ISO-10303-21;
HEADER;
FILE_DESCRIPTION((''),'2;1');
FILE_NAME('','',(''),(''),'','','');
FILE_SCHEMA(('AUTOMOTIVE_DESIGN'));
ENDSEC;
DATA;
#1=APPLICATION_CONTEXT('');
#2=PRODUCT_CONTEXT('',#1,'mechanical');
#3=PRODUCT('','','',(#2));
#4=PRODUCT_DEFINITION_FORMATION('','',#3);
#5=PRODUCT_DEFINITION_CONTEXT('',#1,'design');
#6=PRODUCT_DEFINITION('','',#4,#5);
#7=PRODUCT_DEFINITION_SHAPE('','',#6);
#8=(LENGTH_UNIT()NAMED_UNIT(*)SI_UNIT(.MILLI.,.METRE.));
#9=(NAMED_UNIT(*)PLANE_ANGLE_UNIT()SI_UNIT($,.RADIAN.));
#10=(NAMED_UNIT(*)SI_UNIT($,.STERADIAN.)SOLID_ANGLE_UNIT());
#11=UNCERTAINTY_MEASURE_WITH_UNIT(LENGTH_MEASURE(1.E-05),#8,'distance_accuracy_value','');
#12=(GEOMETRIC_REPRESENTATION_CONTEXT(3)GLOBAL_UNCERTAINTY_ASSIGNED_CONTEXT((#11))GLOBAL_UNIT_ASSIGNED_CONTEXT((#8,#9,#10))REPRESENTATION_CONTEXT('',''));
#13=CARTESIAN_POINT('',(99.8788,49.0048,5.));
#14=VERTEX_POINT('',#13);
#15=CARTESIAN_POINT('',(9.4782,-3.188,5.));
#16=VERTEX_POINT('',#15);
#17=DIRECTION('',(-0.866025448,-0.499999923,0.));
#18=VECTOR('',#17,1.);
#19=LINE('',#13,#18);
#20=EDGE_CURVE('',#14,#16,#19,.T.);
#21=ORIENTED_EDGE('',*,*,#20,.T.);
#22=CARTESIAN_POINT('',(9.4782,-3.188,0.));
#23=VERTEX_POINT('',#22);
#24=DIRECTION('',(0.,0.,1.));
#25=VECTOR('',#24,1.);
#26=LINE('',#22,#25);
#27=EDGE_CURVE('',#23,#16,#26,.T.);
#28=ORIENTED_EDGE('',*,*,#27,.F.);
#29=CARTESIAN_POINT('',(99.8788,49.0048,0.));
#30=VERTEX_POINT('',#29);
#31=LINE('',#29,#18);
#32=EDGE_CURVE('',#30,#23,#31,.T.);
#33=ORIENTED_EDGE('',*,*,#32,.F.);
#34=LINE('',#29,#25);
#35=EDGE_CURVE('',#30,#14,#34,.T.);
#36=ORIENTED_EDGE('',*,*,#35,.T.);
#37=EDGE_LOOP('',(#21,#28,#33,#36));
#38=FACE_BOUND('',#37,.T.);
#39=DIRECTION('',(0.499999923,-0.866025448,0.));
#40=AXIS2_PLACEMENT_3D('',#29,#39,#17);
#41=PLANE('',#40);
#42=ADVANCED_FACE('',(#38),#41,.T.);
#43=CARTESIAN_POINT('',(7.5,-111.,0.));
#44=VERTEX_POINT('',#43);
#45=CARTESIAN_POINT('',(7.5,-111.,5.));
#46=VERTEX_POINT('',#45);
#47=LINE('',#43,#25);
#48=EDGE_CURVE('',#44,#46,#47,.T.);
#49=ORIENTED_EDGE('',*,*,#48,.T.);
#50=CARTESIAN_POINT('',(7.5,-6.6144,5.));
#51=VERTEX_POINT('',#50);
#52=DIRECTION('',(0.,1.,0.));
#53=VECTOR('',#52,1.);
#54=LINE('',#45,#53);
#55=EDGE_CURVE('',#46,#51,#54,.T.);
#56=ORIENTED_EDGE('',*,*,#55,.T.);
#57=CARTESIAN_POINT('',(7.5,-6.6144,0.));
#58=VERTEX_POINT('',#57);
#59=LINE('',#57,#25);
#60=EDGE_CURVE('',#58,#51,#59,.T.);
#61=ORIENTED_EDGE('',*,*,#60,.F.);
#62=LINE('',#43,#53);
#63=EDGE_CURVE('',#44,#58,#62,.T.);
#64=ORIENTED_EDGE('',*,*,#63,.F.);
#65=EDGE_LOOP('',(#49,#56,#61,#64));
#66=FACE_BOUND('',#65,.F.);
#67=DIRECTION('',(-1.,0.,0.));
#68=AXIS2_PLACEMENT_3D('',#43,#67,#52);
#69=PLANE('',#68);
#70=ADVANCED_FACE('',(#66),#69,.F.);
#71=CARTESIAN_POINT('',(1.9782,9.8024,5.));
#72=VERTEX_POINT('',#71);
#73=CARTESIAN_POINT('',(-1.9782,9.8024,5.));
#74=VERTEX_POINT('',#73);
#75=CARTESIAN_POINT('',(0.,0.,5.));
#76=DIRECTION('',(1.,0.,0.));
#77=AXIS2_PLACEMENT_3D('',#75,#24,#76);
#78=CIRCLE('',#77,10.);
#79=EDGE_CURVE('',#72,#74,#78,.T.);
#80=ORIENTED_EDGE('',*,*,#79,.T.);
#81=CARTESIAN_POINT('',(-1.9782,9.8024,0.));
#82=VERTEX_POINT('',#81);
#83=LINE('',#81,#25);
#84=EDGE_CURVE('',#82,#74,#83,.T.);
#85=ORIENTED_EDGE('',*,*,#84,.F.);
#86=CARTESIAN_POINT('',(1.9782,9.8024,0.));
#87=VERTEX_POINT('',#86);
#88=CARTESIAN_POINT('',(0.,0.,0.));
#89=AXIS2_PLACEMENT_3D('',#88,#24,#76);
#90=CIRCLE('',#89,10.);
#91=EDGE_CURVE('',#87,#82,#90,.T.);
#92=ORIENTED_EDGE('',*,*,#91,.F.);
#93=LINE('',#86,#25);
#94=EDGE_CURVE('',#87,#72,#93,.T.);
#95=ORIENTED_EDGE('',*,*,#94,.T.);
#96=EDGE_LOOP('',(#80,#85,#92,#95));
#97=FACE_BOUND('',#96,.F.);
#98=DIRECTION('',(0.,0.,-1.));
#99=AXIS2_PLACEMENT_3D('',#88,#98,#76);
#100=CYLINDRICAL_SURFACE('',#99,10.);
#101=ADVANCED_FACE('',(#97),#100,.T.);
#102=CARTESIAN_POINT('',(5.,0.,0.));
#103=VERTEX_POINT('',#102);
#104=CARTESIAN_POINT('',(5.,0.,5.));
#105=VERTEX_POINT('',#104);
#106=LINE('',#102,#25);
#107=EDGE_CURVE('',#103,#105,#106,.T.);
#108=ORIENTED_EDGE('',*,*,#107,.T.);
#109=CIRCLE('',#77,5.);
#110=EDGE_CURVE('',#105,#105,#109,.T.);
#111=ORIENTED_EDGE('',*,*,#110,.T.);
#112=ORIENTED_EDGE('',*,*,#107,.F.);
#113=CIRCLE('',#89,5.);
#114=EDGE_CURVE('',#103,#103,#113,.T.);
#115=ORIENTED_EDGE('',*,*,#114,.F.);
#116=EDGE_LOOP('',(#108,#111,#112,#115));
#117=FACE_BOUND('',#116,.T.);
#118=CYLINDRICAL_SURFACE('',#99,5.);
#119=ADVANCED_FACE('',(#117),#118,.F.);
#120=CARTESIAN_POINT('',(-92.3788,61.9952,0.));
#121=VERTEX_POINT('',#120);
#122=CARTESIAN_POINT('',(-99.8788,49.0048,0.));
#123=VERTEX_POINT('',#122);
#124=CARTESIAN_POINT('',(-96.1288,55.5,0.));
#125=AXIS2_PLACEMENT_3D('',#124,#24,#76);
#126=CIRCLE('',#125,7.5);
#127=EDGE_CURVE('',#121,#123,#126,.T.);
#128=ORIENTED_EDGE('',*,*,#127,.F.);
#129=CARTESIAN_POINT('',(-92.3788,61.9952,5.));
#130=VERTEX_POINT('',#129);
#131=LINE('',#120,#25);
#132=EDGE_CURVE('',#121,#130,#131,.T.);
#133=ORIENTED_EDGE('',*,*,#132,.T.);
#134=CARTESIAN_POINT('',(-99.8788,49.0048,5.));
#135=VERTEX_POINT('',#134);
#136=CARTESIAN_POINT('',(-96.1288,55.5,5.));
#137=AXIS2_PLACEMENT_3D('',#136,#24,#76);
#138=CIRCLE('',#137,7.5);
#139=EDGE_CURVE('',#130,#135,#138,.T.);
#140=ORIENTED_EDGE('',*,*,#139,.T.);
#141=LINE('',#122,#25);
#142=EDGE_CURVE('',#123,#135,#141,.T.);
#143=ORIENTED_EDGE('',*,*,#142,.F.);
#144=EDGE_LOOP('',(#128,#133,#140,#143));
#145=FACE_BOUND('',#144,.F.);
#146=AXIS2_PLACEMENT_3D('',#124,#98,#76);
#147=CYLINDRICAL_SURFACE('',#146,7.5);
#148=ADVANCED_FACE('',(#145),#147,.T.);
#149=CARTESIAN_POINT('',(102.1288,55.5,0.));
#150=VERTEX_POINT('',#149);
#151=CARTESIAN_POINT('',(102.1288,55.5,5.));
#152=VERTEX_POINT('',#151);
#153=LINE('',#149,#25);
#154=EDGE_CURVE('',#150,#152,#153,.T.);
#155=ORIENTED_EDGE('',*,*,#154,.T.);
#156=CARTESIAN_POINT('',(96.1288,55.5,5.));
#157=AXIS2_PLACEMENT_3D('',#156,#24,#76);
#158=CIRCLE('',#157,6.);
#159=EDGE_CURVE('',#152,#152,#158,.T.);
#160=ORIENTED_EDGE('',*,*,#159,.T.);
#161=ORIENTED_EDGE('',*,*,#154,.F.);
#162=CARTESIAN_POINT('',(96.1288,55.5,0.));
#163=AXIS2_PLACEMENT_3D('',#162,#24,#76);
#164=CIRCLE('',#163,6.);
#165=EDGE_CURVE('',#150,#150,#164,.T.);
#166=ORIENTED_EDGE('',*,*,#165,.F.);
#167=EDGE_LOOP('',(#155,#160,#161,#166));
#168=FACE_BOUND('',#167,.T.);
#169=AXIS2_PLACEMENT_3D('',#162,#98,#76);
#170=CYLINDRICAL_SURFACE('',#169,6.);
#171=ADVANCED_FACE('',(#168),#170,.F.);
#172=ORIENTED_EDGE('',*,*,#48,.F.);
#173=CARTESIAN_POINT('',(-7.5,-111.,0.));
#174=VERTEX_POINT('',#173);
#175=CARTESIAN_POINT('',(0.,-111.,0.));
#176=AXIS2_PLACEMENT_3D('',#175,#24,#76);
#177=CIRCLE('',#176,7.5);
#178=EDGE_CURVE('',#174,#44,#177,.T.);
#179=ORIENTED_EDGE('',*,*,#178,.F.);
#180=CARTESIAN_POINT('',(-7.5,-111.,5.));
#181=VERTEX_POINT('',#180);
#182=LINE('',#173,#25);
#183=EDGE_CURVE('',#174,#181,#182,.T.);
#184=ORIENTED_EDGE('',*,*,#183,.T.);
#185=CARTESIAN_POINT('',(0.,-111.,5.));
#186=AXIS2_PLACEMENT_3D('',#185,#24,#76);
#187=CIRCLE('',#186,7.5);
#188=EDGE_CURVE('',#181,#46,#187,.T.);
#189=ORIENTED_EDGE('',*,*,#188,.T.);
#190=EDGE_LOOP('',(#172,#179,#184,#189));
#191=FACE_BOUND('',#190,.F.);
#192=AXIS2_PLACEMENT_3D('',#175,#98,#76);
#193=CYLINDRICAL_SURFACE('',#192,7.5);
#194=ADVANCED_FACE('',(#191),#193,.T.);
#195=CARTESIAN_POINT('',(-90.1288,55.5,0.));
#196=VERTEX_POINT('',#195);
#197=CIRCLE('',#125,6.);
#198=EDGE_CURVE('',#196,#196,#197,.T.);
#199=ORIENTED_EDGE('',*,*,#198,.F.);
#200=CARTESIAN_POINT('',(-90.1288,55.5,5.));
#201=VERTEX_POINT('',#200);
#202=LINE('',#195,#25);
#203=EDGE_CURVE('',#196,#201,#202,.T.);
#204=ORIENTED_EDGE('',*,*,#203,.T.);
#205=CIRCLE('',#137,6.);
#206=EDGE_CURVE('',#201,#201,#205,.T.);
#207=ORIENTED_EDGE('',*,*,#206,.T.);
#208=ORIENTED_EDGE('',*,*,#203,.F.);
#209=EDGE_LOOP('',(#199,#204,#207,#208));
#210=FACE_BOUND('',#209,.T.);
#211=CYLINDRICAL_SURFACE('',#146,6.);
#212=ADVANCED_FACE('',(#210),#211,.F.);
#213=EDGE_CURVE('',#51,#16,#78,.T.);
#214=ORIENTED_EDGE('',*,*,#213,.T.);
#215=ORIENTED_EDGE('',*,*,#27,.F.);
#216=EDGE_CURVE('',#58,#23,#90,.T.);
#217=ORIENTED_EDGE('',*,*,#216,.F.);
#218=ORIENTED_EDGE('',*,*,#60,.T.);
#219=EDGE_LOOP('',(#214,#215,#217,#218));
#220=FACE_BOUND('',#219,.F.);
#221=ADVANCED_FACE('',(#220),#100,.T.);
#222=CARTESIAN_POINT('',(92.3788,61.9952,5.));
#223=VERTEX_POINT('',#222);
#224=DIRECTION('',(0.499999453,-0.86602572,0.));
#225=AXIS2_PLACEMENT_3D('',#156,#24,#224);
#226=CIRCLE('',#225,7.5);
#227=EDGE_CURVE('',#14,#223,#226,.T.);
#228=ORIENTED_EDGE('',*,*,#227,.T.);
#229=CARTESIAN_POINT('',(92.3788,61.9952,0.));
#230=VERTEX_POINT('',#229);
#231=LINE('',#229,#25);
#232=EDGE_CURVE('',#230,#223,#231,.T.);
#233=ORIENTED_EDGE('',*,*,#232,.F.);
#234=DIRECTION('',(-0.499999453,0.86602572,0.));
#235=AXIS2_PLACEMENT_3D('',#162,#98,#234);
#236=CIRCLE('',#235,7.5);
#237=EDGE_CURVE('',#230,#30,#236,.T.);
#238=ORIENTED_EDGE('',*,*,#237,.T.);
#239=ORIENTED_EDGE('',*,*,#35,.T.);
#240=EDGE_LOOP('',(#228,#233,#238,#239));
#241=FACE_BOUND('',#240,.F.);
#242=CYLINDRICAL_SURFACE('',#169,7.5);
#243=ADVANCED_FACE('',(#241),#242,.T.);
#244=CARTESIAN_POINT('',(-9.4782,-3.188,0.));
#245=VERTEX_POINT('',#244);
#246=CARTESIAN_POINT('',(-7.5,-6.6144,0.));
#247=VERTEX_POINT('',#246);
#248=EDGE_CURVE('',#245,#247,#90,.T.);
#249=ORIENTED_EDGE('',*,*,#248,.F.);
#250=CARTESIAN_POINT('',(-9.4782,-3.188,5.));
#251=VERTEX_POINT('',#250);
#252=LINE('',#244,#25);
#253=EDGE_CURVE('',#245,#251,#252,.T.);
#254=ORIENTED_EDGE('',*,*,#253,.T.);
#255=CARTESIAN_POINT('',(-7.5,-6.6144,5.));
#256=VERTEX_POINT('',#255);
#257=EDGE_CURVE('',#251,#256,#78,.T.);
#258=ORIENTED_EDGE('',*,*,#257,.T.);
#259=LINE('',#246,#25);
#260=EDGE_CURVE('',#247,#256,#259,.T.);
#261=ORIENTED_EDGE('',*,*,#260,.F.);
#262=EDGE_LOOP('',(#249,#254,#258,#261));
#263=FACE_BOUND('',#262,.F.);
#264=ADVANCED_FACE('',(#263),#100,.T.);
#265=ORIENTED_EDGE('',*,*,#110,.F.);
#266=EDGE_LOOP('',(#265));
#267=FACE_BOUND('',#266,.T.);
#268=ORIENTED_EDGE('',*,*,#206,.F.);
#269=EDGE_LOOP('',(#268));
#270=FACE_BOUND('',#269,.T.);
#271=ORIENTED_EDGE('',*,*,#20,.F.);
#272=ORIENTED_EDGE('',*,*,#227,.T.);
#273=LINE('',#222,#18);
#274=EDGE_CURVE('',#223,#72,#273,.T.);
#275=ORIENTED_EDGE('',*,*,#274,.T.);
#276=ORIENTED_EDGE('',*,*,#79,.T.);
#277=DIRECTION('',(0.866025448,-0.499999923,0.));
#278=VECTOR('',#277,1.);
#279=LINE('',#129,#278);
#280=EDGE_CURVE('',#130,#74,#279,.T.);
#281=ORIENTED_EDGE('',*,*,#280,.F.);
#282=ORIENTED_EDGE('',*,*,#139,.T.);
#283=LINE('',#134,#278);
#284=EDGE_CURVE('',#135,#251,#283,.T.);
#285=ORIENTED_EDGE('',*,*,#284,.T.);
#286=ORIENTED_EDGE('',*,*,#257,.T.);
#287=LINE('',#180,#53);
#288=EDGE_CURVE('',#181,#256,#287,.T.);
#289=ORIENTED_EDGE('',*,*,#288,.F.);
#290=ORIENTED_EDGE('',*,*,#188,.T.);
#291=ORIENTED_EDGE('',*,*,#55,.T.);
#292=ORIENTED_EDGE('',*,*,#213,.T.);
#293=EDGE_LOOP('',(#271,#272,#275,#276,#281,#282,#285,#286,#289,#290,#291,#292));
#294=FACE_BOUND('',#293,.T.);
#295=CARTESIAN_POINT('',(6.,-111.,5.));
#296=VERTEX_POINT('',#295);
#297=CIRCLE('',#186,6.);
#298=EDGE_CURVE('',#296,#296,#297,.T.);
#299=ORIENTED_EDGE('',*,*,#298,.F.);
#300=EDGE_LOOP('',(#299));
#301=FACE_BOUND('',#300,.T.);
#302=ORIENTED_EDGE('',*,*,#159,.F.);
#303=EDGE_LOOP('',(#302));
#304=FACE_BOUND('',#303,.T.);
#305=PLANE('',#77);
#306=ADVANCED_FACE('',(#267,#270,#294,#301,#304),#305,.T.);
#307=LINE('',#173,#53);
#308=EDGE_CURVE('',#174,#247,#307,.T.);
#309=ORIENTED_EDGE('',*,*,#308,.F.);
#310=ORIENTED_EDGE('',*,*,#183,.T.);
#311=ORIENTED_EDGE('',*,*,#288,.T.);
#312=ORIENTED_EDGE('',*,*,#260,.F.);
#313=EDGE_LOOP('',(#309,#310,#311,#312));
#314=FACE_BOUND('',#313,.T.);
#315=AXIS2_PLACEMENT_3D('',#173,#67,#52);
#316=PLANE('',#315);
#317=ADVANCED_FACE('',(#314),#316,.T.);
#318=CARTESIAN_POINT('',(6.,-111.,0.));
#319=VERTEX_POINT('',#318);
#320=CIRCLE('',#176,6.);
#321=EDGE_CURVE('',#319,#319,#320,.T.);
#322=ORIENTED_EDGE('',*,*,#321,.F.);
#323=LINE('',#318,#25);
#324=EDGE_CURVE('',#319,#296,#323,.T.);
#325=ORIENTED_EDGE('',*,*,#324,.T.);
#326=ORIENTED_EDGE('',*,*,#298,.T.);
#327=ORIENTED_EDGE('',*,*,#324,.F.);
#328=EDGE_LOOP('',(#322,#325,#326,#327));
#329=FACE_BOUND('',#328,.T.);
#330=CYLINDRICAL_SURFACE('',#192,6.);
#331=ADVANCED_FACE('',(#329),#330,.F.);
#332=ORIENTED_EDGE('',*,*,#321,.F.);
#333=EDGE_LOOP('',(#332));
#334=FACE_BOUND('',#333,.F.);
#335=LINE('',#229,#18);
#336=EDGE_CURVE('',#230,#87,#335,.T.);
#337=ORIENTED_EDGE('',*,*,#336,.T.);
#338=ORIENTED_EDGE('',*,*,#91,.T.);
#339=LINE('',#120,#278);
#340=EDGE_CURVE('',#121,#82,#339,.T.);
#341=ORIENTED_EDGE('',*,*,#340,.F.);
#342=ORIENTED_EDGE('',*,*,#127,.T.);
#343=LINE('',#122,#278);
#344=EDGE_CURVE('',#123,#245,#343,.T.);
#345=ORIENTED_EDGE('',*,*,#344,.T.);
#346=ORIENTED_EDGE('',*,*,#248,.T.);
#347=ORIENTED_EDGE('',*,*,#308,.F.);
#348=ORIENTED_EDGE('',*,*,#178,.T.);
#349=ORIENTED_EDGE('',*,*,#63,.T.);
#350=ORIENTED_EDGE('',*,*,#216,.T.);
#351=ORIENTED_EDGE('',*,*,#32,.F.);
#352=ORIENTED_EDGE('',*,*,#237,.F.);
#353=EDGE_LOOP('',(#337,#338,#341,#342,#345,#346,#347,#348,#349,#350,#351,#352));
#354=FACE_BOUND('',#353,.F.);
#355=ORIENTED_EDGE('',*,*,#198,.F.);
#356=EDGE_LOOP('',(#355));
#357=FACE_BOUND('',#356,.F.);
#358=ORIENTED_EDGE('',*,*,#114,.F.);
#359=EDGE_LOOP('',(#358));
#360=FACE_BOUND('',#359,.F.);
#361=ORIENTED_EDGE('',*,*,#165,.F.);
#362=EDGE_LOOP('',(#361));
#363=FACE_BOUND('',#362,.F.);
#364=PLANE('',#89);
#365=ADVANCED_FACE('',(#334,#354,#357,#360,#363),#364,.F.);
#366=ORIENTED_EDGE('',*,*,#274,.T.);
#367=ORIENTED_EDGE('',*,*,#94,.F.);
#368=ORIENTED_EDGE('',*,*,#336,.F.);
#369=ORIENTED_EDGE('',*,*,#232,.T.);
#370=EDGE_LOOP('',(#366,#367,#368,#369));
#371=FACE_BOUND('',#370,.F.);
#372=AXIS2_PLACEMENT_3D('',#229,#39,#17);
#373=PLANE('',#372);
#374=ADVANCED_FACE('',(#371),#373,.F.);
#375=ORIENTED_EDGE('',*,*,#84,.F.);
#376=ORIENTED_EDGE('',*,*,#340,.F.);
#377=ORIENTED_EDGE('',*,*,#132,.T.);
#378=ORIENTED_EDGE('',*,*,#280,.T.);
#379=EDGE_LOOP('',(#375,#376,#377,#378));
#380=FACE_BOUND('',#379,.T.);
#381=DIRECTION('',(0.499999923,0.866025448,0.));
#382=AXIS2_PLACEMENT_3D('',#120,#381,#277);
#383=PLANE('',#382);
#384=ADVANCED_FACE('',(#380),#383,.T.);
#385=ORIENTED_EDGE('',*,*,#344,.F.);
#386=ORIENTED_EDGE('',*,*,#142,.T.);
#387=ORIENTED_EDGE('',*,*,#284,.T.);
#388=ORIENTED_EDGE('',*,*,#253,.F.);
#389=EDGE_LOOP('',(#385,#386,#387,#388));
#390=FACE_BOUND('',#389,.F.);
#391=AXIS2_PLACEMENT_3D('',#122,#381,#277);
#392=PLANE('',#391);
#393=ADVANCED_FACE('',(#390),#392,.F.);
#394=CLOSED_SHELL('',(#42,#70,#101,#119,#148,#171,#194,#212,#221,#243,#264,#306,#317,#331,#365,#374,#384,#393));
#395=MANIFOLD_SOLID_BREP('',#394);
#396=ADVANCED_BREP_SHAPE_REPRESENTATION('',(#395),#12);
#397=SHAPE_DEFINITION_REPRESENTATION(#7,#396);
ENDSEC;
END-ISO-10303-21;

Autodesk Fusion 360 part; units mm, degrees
sketch "Sketch1" plane through (0, 0, 0) normal (0, 0, 1) x (1, 0, 0) in component "Spectroscope Feet"
  circle A0 centre (96.1288, 55.5) radius 6
  circle A1 centre (-96.1288, 55.5) radius 6
  circle A2 centre (0, -111) radius 6
  circle A3 centre (0, -111) radius 7.5
  circle A4 centre (-96.1288, 55.5) radius 7.5
  circle A5 centre (96.1288, 55.5) radius 7.5
  circle A6 centre (0, 0) radius 10
  line L0 (92.3788, 61.9952) -> (1.9782, 9.8024)
  line L1 (99.8788, 49.0048) -> (9.4782, -3.188)
  line L2 (-99.8788, 49.0048) -> (-9.4782, -3.188)
  line L3 (-92.3788, 61.9952) -> (-1.9782, 9.8024)
  line L4 (-7.5, -111) -> (-7.5, -6.6144)
  line L5 (7.5, -111) -> (7.5, -6.6144)
  circle A7 centre (0, 0) radius 5
  dimension "d4" = 12
  dimension "d5" = 12
  dimension "d6" = 12
  dimension "d7" = 15
  dimension "d8" = 15
  dimension "d9" = 15
  dimension "d10" = 20
  dimension "d11" = 10
extrude "Extrude1" add sketch "Sketch1" along normal blind 5 in component "Spectroscope Feet"
component "Spectroscope Feet" placed x (1, 0, 0) y (0, 1, 0) z (0, 0, 1) at (0, 0, 0)
